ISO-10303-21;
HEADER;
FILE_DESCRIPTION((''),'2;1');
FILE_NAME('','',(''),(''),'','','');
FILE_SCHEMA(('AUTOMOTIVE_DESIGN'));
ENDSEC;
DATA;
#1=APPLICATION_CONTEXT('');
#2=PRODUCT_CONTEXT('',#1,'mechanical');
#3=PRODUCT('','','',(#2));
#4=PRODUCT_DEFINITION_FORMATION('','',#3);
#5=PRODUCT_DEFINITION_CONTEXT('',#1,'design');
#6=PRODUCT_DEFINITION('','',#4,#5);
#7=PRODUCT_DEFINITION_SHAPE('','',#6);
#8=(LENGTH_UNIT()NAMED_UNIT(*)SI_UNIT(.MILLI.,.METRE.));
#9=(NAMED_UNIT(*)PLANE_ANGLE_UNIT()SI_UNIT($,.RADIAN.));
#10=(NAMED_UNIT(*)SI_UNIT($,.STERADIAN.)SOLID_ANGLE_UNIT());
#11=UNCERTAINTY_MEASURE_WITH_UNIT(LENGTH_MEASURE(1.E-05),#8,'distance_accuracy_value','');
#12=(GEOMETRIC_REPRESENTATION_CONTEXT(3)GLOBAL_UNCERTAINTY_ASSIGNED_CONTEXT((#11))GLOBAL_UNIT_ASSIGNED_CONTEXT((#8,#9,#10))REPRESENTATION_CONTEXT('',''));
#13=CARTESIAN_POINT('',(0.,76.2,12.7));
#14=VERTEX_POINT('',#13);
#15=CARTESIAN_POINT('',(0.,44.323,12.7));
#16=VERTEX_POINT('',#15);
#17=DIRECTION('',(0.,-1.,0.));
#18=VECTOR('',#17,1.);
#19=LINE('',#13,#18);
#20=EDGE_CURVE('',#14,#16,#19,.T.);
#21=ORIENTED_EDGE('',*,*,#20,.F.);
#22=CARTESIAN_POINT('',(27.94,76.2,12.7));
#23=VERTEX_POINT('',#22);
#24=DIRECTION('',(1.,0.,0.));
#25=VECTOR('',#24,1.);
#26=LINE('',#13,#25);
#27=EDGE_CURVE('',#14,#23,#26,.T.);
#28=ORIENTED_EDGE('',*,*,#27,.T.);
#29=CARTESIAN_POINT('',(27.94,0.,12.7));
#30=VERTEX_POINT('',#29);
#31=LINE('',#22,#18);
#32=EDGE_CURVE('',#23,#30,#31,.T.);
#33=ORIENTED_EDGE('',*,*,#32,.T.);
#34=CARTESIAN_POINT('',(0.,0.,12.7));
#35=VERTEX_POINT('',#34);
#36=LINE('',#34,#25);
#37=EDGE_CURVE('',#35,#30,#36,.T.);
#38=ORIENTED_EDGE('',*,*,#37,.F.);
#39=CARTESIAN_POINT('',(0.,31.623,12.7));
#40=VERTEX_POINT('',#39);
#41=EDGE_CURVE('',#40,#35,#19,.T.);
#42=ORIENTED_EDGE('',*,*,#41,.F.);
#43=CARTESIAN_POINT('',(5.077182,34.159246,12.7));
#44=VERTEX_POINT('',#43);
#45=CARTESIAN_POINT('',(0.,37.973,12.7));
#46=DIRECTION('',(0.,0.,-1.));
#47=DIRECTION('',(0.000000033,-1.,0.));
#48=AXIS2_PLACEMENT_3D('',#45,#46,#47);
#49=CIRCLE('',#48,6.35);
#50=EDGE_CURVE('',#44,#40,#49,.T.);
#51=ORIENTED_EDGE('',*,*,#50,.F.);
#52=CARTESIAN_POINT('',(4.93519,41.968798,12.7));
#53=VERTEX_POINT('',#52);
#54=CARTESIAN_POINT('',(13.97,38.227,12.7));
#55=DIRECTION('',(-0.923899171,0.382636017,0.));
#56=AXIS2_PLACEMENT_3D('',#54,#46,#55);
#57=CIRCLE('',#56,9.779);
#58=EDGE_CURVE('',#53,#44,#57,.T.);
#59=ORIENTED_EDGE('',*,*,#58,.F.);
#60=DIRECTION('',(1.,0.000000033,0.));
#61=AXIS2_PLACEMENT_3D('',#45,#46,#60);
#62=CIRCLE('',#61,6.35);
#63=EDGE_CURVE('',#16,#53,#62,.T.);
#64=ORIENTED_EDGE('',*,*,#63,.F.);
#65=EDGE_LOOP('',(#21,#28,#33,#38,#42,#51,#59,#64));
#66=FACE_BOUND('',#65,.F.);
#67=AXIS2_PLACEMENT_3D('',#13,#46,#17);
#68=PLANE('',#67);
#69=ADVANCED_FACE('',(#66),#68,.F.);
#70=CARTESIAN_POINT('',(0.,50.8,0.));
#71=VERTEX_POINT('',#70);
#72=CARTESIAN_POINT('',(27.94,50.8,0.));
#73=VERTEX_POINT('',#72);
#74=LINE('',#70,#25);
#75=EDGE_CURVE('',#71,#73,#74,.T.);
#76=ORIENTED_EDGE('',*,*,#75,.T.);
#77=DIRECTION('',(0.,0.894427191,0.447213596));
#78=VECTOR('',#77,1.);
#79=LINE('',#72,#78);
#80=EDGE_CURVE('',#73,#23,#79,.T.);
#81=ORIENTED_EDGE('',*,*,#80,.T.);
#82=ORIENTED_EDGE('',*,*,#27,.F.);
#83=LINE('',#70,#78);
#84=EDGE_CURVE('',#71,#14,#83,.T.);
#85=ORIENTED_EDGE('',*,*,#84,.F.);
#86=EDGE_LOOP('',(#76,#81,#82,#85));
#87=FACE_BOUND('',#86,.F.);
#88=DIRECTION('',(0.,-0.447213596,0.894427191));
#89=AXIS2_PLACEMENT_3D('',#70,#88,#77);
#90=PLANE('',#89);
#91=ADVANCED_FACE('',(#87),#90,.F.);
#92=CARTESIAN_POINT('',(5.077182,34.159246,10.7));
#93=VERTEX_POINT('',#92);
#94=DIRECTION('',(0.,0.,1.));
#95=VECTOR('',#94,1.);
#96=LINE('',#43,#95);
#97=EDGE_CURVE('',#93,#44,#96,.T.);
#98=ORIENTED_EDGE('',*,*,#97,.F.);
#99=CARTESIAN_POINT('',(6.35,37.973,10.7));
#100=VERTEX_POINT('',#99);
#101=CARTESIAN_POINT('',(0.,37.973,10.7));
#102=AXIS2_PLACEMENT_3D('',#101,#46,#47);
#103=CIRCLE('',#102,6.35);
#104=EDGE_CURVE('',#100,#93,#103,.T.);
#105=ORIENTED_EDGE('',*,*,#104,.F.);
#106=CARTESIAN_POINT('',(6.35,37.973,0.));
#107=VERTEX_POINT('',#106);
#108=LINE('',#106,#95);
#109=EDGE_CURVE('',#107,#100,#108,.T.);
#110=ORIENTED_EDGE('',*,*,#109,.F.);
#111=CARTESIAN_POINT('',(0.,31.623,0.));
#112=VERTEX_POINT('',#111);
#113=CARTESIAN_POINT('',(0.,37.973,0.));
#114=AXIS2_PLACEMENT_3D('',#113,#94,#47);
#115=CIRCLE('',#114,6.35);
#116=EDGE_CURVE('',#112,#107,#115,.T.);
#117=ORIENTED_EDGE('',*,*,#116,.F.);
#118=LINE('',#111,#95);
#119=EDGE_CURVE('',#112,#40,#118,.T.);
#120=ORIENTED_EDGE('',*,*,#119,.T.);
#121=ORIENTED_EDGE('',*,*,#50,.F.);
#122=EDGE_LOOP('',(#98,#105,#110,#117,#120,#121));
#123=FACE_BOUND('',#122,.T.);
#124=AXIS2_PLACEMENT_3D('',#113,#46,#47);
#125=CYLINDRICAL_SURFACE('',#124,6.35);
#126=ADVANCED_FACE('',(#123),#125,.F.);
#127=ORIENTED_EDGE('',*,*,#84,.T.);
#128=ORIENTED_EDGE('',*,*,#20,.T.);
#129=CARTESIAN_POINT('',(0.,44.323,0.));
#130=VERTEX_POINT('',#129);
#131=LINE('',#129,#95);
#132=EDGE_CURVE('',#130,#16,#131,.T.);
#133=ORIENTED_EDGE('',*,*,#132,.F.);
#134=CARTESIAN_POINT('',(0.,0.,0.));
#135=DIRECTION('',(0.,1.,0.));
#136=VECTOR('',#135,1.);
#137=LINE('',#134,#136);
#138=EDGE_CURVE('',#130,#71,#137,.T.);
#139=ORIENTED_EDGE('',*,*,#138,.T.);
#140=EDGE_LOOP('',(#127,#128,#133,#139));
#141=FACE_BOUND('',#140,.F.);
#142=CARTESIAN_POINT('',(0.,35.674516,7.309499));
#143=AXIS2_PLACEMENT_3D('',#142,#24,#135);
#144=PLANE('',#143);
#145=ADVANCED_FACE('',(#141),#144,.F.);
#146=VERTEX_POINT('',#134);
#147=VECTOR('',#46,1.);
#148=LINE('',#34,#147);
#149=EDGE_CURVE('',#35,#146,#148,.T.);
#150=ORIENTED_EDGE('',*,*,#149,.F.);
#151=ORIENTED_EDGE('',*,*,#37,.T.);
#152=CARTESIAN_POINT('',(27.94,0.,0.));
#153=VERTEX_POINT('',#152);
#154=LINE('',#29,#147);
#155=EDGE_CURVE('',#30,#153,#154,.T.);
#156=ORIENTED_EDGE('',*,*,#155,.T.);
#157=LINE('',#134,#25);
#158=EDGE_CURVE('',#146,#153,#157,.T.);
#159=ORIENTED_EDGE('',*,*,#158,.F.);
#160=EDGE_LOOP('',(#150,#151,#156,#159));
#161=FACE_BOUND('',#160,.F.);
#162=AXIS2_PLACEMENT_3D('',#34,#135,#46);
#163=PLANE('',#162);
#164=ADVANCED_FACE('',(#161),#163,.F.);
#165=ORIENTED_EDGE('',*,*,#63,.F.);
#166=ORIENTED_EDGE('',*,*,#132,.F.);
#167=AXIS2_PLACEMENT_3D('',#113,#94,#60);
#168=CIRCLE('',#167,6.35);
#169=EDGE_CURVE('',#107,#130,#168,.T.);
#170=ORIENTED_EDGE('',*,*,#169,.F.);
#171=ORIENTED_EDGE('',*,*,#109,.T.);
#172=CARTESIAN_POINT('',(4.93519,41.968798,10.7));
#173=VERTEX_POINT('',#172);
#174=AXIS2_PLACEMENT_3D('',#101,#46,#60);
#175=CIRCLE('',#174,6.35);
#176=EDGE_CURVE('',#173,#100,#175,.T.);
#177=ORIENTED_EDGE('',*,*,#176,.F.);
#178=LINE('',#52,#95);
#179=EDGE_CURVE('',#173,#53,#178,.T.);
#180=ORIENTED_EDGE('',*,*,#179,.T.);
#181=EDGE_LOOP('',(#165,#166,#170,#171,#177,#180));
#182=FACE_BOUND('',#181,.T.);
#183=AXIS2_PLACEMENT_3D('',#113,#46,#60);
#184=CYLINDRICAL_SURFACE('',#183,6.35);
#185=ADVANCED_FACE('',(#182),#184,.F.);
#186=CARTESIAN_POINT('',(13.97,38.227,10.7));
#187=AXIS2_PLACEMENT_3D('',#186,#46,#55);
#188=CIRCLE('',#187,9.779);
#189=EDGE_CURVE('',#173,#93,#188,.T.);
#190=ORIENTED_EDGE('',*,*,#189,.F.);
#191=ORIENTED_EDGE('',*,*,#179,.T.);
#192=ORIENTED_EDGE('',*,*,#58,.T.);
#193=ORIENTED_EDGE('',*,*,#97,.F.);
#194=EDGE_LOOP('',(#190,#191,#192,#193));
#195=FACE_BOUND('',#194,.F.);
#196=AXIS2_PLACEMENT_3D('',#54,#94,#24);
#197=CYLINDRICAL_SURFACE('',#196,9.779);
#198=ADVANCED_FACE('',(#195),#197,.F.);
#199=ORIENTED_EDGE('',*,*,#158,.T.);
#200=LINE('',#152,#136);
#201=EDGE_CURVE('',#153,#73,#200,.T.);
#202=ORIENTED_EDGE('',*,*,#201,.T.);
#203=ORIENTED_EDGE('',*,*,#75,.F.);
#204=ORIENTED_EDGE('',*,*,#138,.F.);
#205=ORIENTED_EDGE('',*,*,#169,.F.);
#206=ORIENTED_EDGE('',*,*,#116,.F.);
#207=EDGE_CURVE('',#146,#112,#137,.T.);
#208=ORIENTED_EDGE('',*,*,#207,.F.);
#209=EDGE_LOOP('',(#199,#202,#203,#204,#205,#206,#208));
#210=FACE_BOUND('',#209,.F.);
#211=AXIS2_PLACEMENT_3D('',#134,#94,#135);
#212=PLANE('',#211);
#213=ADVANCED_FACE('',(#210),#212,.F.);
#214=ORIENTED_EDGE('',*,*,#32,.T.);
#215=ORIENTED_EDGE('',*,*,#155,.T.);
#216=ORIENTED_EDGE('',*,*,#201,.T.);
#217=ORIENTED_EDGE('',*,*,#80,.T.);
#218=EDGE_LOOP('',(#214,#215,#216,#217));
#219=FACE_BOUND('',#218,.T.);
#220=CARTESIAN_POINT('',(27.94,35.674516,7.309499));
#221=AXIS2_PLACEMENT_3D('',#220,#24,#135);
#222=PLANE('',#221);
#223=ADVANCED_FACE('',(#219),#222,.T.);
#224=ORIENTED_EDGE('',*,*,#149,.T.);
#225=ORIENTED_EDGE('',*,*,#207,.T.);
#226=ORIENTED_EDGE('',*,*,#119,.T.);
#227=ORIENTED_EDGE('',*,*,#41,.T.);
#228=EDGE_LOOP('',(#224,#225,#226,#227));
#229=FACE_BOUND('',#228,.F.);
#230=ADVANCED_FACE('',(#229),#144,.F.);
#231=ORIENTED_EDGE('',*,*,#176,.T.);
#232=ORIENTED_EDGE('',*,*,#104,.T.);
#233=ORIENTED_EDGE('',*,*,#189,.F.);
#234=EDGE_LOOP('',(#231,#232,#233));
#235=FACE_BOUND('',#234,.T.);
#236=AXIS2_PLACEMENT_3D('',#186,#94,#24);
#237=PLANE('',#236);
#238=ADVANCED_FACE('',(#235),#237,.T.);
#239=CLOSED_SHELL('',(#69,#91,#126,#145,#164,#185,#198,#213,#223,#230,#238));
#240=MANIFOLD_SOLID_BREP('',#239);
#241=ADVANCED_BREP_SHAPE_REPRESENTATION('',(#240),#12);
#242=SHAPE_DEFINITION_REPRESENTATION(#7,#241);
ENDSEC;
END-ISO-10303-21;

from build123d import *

# Parameters (mm, degrees)
F1_DEPTH = 27.94
F2_R     = 9.779
F3_DEPTH = 2
F5_DEPTH = 25.4


with BuildPart() as f1:
    # F0 (on Right) → F1 (new body)
    with BuildSketch(Plane.YZ):
        Polygon((0, 12.7), (0, 0), (50.8, 0), (76.2, 12.7), align=None)
    extrude(amount=F1_DEPTH)

    # F2 (on face) → F3 (cut)
    with BuildSketch(Plane.XY.offset(12.7)):
        with Locations((13.97, 38.227)):
            Circle(F2_R)
    extrude(amount=-F3_DEPTH, mode=Mode.SUBTRACT)

    # F4 (on Top) → F5 (cut)
    with BuildSketch(Plane.XY):
        with BuildLine():
            ThreePointArc((0, 44.323), (-6.35, 37.973), (0, 31.623))
            Line((0, 31.623), (0, 37.973))
            Line((0, 37.973), (0, 44.323))
        make_face()
        with BuildLine():
            Line((0, 37.973), (0, 31.623))
            ThreePointArc((0, 31.623), (4.490128, 33.482872), (6.35, 37.973))
            Line((6.35, 37.973), (0, 37.973))
        make_face()
        with BuildLine():
            Line((0, 44.323), (0, 37.973))
            Line((0, 37.973), (6.35, 37.973))
            ThreePointArc((6.35, 37.973), (4.490128, 42.463128), (0, 44.323))
        make_face()
    extrude(amount=F5_DEPTH, mode=Mode.SUBTRACT)


solid = f1.part
